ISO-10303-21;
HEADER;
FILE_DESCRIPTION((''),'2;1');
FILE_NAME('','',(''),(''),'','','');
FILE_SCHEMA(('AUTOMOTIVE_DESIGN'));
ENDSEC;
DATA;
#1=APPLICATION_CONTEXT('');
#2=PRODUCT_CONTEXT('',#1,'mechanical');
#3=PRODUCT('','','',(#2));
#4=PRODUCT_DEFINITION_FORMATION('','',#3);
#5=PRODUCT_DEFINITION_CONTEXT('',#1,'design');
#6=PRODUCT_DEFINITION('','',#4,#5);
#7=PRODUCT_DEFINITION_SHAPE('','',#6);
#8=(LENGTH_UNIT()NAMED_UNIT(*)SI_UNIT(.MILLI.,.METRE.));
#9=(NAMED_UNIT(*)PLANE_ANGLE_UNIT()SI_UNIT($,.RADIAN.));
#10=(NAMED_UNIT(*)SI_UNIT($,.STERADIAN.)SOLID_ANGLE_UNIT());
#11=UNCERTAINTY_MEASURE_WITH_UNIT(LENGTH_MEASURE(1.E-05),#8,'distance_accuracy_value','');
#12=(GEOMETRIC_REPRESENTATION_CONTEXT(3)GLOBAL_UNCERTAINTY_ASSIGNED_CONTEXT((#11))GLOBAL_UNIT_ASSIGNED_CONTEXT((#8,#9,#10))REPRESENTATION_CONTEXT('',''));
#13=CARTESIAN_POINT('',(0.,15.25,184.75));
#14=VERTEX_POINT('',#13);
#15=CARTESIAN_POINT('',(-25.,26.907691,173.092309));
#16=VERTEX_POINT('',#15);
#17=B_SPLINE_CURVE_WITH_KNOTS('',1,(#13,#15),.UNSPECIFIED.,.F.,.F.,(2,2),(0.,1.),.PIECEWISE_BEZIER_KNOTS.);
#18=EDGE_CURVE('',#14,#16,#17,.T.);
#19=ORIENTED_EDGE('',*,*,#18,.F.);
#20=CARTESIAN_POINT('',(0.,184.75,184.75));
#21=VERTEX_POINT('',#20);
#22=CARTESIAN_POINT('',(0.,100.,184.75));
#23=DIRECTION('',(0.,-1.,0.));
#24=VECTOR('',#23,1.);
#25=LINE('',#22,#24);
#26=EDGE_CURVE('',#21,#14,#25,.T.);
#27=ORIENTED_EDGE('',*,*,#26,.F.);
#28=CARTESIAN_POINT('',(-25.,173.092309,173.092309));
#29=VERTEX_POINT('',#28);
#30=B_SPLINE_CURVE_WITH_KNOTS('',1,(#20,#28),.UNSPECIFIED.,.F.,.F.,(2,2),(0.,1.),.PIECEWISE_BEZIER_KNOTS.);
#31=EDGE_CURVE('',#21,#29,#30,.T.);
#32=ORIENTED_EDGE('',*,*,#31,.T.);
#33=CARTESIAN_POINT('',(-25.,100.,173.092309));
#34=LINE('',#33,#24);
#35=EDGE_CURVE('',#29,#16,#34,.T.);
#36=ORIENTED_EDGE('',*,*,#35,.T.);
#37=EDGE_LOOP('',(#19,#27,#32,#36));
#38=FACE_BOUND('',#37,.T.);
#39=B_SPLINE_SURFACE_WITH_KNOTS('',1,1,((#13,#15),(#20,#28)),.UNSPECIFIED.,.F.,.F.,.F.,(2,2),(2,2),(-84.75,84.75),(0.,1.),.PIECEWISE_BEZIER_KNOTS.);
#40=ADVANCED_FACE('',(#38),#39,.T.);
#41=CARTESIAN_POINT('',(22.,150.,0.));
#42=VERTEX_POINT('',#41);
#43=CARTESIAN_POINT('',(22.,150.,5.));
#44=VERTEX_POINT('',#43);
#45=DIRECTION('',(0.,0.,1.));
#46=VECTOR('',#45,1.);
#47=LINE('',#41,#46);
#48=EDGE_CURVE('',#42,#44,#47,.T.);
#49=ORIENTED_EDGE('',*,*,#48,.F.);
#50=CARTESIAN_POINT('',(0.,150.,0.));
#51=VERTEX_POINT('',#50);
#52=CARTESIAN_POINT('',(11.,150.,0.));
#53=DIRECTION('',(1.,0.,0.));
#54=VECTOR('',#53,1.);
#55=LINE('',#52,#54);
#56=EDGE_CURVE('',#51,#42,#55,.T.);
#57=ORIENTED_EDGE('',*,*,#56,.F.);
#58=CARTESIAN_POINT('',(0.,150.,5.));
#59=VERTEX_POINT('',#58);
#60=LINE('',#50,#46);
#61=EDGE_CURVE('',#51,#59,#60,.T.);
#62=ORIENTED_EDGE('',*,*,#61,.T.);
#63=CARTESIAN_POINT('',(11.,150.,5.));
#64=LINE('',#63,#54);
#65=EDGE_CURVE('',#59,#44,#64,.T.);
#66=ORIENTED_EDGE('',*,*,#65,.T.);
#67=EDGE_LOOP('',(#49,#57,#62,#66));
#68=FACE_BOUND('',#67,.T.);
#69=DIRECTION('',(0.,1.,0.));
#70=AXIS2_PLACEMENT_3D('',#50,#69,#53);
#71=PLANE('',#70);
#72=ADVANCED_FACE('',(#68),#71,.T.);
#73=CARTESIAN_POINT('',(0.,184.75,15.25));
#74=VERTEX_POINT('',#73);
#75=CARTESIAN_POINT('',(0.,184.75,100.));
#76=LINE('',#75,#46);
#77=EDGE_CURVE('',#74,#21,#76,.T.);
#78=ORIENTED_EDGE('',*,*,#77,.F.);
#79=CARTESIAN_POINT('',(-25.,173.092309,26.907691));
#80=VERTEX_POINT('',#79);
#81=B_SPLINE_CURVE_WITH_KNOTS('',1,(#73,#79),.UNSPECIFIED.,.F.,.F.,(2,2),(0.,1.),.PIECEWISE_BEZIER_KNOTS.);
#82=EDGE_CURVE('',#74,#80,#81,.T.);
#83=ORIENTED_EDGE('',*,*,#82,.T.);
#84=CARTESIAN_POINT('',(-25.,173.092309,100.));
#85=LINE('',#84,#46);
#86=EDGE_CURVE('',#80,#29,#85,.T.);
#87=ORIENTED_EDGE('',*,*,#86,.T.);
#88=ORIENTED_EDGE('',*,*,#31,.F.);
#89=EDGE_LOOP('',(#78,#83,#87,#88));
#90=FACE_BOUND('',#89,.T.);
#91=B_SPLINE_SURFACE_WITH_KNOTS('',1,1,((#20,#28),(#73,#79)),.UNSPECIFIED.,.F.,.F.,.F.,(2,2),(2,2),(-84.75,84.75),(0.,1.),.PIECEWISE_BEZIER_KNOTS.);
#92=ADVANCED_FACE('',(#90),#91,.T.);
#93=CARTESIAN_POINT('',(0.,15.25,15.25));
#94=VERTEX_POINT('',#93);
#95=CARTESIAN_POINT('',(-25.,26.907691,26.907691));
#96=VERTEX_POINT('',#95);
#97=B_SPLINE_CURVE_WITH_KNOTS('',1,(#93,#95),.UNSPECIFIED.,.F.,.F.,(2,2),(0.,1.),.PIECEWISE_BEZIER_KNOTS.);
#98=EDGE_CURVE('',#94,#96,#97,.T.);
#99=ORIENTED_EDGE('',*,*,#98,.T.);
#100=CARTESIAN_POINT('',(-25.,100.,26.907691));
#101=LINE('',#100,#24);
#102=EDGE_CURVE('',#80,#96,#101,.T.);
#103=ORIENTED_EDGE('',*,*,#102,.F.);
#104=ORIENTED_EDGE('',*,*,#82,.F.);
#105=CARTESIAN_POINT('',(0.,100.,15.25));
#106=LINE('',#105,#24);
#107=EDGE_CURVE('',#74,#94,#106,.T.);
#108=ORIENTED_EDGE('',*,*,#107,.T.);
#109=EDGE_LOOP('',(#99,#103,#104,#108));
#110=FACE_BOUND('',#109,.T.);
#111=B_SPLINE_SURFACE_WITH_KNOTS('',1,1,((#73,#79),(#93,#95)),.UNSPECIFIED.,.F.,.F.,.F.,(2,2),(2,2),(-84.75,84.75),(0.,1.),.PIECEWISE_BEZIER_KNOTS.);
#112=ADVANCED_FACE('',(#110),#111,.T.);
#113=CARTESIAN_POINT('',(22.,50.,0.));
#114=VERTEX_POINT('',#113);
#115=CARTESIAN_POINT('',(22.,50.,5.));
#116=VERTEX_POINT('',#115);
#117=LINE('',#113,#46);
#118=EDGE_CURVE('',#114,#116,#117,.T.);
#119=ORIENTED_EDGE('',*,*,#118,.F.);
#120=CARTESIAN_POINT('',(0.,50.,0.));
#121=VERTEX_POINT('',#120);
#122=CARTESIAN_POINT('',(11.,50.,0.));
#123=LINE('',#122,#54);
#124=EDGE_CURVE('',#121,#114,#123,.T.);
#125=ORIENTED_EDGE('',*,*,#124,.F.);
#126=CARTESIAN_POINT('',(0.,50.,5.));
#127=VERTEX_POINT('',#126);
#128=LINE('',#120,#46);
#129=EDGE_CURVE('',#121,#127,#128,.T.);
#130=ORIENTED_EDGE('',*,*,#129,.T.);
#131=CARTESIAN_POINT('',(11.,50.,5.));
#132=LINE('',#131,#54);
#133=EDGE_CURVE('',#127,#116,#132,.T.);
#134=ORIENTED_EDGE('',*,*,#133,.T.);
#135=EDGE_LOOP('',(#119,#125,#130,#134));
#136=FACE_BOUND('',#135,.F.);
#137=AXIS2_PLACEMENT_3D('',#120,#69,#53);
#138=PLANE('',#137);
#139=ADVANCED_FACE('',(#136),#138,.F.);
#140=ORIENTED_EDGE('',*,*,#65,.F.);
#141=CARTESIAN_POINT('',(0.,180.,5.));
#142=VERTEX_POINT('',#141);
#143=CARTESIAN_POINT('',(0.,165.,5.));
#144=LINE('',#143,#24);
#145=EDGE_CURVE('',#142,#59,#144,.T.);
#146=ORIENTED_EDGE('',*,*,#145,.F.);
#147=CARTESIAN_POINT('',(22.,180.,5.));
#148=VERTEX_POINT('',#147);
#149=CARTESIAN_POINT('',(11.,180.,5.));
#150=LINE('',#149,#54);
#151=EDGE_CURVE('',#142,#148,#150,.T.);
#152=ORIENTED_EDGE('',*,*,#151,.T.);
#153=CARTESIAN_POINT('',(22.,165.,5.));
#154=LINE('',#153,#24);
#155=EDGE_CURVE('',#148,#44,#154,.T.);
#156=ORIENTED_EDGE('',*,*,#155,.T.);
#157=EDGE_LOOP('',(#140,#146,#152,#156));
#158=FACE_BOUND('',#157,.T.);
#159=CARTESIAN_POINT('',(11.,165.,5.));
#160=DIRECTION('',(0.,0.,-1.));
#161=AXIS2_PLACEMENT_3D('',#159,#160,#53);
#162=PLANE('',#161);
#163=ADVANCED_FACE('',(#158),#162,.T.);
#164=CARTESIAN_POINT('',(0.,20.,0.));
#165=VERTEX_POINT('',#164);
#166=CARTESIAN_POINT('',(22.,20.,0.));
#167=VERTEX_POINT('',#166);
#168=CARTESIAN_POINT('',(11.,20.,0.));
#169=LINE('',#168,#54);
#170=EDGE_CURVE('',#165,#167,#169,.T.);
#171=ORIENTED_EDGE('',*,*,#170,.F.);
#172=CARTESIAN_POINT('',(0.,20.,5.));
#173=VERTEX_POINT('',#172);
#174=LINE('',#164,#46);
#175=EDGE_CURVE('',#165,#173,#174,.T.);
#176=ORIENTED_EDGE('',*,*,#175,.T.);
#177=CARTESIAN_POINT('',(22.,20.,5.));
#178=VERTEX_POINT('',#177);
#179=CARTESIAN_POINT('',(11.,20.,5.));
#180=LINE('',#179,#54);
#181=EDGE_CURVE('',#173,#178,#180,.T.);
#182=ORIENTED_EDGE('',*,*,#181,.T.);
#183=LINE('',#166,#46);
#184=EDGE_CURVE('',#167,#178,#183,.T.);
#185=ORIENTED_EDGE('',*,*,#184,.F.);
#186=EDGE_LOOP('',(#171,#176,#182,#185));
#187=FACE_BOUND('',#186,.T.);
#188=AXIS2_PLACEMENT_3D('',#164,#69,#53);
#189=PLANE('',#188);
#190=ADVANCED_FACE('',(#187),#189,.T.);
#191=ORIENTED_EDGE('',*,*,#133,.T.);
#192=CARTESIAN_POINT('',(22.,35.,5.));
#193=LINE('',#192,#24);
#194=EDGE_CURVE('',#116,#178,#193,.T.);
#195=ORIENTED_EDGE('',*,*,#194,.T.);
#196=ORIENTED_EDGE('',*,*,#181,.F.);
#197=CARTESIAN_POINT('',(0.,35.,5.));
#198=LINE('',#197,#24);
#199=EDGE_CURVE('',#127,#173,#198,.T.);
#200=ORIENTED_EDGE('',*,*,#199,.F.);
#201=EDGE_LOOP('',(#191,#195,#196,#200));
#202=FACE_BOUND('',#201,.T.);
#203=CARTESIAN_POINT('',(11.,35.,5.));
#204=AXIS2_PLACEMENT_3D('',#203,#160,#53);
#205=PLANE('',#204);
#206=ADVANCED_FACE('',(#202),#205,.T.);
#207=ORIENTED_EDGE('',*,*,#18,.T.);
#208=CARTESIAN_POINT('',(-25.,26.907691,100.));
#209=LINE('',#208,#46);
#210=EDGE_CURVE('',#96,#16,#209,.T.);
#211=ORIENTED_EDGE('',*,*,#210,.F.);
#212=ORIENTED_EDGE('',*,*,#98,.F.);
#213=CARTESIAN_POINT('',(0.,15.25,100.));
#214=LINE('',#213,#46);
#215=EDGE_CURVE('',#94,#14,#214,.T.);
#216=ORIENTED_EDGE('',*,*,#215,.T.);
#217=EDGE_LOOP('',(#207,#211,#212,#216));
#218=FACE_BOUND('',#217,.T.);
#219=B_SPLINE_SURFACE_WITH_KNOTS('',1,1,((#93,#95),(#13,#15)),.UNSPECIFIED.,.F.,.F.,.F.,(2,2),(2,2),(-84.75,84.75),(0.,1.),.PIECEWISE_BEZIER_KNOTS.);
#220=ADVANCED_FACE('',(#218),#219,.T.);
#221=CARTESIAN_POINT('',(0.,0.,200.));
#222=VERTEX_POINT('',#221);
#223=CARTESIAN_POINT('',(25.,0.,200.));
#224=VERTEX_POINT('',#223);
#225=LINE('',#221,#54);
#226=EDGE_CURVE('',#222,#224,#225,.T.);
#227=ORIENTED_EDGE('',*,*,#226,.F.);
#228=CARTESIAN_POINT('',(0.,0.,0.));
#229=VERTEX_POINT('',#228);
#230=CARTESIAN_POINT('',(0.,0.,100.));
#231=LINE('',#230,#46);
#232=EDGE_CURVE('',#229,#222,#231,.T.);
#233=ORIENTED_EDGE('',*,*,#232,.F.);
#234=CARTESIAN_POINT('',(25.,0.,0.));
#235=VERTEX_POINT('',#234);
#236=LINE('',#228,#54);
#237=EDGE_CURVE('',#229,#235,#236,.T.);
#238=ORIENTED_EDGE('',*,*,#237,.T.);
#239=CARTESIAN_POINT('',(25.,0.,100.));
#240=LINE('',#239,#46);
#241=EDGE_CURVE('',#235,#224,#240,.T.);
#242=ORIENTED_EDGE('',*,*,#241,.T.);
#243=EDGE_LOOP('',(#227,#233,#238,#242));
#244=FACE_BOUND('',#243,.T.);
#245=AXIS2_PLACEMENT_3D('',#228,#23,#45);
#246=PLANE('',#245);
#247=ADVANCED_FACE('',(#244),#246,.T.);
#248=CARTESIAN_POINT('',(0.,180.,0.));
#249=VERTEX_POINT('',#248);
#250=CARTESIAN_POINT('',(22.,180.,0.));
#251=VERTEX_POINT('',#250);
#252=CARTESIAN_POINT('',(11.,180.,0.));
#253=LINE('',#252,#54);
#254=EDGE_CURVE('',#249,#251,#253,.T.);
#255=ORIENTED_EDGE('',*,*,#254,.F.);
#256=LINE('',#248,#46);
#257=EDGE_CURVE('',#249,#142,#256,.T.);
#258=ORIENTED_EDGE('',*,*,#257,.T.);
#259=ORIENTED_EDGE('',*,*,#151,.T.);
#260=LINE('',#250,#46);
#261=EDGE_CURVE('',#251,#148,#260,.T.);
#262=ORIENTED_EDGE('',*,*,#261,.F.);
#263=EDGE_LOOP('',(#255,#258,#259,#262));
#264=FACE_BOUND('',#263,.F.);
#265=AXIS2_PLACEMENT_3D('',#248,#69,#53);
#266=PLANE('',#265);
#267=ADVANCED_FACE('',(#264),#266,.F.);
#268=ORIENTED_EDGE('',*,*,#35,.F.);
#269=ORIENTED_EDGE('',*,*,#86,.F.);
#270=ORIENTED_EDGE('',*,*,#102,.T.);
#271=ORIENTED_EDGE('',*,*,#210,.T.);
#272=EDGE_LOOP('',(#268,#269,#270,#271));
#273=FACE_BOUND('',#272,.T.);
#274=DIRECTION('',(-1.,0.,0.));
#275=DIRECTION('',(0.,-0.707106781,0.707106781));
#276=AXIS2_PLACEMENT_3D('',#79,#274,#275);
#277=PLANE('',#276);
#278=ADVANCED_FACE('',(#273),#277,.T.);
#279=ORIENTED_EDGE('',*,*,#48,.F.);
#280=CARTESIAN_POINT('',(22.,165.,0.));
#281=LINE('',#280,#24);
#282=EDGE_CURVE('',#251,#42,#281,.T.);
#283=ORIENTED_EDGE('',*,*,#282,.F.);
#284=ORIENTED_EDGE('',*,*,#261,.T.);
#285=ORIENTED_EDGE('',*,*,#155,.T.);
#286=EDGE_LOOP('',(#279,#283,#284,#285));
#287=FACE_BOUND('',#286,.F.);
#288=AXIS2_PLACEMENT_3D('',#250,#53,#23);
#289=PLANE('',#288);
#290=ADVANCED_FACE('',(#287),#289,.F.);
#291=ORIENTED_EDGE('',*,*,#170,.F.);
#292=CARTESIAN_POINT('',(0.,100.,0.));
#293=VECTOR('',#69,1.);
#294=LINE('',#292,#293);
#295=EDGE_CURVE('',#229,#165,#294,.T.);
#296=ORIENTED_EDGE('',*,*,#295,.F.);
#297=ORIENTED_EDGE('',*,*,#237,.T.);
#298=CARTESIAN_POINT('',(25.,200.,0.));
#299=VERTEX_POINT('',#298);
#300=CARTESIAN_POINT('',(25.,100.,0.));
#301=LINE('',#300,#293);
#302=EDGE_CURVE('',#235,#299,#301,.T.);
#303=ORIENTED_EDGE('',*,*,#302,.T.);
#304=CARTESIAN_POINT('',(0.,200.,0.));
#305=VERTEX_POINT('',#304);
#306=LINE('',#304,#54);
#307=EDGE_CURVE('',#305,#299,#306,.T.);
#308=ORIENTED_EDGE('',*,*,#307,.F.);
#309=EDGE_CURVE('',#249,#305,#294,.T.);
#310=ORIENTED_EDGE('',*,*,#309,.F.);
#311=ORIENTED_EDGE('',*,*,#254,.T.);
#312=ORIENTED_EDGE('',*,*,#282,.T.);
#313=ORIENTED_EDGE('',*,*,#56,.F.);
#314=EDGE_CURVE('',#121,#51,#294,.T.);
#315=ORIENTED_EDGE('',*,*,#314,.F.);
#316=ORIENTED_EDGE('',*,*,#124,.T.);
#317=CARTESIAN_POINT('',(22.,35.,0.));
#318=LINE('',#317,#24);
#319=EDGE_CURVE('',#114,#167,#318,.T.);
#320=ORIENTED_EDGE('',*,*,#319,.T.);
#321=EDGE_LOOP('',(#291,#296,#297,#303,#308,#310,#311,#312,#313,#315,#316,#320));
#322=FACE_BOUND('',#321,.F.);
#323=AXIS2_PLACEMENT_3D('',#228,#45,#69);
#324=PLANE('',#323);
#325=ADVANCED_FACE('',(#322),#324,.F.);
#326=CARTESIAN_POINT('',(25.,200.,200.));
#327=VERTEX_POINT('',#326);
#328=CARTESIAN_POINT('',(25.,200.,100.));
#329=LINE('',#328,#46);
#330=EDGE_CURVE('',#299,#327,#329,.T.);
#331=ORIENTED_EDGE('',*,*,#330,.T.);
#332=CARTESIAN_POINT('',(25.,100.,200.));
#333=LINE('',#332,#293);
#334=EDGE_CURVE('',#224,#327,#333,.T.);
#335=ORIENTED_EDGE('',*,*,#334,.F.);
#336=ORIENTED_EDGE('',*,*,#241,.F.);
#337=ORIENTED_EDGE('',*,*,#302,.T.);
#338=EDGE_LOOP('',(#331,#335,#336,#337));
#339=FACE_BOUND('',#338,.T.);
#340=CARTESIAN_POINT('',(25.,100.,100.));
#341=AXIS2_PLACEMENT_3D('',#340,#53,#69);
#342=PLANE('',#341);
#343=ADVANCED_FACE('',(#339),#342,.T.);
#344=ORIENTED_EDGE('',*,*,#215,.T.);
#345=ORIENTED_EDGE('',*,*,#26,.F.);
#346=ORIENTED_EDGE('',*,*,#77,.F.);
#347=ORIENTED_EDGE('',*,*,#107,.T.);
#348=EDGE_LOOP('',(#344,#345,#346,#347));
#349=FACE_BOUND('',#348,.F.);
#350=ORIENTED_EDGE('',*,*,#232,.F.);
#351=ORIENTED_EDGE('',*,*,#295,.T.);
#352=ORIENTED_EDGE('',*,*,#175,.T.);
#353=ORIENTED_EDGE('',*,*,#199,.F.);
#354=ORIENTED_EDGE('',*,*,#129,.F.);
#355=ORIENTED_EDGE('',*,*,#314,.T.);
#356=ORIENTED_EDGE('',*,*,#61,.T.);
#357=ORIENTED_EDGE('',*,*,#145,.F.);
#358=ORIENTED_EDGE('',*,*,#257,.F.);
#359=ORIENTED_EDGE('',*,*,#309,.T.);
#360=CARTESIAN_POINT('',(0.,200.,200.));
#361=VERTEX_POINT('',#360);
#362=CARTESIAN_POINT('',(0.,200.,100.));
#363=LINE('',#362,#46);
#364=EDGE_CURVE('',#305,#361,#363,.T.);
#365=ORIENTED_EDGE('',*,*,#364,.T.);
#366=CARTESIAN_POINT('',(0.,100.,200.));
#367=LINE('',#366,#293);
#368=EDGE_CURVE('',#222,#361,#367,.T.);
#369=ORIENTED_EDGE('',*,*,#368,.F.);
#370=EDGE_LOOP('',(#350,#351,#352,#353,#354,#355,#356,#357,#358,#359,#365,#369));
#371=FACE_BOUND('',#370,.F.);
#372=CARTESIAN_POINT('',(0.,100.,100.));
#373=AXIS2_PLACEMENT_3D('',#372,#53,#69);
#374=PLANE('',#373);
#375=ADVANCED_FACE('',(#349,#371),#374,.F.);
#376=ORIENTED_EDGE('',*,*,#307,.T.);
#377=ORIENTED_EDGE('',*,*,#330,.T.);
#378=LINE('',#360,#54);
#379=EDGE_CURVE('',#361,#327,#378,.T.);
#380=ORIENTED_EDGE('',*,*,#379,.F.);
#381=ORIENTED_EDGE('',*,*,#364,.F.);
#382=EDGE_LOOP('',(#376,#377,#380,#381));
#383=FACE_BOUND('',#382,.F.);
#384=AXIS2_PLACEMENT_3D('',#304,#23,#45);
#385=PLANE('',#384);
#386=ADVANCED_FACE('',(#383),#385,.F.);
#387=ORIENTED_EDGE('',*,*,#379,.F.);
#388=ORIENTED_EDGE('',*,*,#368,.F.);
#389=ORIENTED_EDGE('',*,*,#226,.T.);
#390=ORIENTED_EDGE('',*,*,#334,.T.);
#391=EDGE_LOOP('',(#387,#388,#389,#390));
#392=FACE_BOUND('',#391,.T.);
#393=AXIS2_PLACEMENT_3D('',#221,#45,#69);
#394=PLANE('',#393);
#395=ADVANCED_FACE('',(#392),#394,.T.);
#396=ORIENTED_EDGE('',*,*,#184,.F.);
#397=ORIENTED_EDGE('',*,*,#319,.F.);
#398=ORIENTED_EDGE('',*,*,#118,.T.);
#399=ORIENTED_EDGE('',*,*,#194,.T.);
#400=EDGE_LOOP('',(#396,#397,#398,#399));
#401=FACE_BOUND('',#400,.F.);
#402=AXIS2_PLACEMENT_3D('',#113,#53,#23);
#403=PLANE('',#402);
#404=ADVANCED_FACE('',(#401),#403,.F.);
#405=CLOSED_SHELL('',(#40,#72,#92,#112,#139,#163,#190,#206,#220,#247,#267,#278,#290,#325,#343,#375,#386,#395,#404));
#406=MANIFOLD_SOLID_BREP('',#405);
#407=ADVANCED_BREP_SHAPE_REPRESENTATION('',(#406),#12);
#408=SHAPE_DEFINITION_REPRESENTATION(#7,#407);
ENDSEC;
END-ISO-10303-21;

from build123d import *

# Parameters (mm, degrees)
F0_W     = 200
F0_H     = 200
F1_DEPTH = 25
F2_W     = 169.5
F2_H     = 169.5
F3_DEPTH = 25
F3_TAPER = 25
F4_W     = 22
F4_H     = 30
F5_DEPTH = 5


with BuildPart() as f1:
    # F0 (on Right) → F1 (new body)
    with BuildSketch(Plane.YZ):
        with Locations((100, 100)):
            Rectangle(F0_W, F0_H)
    extrude(amount=F1_DEPTH)

    # F2 (on face) → F3 (join)
    with BuildSketch(Plane(origin=(0, 0, 0), x_dir=(0, -1, 0), z_dir=(-1, 0, 0))):
        with Locations((-100, 100)):
            Rectangle(F2_W, F2_H)
    extrude(amount=F3_DEPTH, taper=F3_TAPER)

    # F4 (on face) → F5 (cut)
    with BuildSketch(Plane(origin=(0, 0, 0), x_dir=(1, 0, 0), z_dir=(0, 0, -1))):
        with Locations((11, -165)):
            Rectangle(F4_W, F4_H)
        with Locations((11, -35)):
            Rectangle(F4_W, F4_H)
    extrude(amount=-F5_DEPTH, mode=Mode.SUBTRACT)


solid = f1.part
